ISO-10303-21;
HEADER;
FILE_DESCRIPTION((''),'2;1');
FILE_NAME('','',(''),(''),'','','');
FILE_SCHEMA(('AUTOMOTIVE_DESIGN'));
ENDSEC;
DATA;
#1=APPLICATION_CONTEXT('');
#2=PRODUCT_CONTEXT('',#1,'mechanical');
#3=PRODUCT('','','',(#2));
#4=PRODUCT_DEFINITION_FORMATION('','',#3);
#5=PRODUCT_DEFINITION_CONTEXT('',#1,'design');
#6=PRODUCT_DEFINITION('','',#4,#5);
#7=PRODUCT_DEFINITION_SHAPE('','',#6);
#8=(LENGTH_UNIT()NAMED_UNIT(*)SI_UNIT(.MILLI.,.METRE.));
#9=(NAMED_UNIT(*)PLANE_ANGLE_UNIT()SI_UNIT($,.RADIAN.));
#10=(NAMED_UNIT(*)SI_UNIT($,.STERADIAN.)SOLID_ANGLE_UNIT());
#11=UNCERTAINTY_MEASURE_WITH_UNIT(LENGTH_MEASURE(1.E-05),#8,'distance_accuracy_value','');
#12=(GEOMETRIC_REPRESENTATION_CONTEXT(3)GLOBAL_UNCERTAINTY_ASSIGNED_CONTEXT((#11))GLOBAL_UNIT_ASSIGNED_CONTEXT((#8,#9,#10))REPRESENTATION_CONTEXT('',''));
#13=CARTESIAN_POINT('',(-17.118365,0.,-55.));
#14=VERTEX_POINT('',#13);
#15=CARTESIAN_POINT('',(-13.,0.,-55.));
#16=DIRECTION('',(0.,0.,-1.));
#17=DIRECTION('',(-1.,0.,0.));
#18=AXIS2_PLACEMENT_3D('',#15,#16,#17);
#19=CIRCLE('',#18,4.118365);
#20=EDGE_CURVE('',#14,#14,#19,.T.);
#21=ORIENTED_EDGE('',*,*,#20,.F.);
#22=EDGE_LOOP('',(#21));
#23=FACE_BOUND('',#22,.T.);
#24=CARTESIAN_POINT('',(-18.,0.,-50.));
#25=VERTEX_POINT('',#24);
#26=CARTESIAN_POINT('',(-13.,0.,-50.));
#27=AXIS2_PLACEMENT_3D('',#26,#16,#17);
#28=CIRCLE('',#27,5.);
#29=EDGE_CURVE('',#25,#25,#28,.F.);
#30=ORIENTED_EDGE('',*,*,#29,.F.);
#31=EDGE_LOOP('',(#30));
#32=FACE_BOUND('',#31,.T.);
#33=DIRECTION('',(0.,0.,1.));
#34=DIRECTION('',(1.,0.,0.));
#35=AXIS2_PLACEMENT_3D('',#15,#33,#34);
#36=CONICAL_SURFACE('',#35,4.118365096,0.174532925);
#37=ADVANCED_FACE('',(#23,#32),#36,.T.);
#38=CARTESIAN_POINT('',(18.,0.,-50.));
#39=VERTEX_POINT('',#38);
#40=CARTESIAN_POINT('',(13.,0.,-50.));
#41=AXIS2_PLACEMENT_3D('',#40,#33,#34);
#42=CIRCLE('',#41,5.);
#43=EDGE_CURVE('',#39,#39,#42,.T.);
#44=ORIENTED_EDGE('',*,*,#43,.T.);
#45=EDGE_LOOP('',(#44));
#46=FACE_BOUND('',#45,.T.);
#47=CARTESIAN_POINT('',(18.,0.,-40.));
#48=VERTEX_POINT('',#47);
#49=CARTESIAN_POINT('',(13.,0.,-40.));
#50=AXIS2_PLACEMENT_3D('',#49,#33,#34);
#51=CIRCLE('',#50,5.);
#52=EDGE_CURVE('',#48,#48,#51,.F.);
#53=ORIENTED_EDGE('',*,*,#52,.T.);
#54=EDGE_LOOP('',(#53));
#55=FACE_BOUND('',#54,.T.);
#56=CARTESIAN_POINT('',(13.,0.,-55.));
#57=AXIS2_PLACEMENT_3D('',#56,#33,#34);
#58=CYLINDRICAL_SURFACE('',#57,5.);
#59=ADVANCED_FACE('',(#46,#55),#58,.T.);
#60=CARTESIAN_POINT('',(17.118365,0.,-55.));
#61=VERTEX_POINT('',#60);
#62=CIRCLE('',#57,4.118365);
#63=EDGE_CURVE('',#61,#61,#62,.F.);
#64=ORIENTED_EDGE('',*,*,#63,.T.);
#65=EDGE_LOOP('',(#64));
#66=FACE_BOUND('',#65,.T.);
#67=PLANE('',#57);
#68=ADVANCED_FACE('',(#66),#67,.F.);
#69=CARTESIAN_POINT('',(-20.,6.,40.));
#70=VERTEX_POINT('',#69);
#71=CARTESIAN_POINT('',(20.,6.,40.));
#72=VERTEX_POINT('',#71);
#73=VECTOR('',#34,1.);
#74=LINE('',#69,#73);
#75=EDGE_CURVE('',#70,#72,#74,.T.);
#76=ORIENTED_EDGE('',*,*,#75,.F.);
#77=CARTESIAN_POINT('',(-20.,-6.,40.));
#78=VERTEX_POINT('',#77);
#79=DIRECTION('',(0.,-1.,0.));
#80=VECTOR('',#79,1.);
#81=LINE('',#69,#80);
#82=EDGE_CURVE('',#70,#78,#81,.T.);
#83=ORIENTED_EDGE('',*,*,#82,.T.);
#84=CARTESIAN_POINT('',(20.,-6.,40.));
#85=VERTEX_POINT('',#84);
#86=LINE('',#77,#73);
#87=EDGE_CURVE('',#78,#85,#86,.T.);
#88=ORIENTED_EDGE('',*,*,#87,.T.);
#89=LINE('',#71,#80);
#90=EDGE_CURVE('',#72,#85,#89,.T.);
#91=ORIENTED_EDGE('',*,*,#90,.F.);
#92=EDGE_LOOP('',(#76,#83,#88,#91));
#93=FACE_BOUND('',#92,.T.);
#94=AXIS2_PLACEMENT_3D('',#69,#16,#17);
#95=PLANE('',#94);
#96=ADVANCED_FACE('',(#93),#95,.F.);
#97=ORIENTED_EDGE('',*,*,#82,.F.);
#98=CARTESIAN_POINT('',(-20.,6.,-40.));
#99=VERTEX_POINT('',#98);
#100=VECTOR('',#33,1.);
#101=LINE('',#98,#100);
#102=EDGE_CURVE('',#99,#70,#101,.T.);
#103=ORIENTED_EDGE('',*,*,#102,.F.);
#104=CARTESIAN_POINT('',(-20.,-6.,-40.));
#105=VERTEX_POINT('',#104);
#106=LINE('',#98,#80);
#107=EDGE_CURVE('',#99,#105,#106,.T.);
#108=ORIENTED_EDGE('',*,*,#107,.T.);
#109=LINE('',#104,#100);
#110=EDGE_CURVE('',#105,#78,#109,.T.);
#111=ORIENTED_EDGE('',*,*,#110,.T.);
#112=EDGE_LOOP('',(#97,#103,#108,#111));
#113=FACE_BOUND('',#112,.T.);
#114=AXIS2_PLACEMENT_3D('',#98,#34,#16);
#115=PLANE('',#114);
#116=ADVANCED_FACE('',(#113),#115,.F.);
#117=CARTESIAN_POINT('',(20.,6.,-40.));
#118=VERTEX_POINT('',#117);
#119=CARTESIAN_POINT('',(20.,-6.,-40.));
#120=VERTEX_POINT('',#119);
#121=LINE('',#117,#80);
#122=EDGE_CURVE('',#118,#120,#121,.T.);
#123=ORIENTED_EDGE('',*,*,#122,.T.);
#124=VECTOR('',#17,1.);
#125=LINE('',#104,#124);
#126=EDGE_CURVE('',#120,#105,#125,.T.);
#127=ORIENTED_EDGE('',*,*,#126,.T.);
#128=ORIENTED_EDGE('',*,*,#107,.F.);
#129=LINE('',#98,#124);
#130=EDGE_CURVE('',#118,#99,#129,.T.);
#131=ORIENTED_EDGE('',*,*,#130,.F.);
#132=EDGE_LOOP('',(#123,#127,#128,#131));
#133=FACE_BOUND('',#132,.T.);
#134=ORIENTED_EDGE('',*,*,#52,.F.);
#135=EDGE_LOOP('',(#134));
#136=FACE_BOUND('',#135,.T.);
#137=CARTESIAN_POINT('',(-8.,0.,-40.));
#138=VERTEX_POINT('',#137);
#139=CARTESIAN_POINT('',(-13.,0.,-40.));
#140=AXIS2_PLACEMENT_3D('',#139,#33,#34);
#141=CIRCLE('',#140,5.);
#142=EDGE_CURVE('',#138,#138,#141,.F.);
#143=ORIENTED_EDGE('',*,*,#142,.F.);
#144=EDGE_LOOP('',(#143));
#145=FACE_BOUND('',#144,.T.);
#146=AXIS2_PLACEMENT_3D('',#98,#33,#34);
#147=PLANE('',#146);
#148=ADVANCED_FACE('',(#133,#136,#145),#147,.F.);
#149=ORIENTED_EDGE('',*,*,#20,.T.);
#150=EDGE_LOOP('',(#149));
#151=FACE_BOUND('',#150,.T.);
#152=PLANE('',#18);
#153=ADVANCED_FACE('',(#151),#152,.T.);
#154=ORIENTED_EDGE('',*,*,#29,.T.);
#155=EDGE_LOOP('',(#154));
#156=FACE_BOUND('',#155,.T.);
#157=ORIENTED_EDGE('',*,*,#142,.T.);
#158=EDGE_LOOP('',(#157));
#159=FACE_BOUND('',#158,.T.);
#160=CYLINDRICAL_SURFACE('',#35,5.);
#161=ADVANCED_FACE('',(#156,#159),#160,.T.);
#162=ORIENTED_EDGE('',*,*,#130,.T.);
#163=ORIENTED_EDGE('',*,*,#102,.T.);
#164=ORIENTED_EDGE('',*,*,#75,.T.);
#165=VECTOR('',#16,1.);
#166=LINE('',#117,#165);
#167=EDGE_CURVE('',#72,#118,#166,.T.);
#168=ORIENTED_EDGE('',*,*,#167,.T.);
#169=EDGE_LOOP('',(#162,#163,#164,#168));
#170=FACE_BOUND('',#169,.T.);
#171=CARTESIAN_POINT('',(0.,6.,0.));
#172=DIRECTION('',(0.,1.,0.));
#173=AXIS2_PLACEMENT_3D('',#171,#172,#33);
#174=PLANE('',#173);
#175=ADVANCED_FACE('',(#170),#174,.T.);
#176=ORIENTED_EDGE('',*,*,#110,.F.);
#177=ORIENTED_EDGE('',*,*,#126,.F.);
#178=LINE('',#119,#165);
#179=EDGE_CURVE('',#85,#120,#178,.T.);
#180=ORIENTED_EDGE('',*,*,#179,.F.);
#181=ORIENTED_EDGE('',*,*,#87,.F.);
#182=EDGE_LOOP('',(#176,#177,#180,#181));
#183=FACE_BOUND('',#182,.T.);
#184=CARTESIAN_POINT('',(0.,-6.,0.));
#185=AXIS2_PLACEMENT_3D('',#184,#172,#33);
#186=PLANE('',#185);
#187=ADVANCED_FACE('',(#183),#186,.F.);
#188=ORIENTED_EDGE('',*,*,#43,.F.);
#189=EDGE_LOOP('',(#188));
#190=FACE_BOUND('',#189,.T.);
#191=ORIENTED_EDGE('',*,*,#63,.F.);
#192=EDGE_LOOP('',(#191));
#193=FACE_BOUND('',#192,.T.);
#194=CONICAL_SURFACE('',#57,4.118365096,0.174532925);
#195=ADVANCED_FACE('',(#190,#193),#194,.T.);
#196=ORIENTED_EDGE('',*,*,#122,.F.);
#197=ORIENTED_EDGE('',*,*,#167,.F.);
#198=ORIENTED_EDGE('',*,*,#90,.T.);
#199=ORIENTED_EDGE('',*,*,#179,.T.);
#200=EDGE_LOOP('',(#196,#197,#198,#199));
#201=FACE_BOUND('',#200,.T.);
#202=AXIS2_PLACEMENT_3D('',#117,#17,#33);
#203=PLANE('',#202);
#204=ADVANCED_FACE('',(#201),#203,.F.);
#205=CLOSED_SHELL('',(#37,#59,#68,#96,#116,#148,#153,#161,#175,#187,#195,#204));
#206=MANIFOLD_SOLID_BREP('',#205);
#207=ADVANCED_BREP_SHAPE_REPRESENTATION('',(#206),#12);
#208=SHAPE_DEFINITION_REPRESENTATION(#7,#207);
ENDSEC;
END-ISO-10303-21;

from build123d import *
from OCP.BRepFilletAPI import BRepFilletAPI_MakeChamfer

# Parameters (mm, degrees)
SKETCH1_W           = 40
SKETCH1_H           = 80
BOSS_EXTRUDE1_DEPTH = 6
SKETCH2_R           = 5
BOSS_EXTRUDE2_DEPTH = 15
CHAMFER1_SIZE       = 5
CHAMFER1_SIZE2      = 0.881634904


with BuildPart() as part:
    # Sketch1 → Boss-Extrude1 (new, symmetric)
    with BuildSketch(Plane(origin=(0, 0, 0), x_dir=(1, 0, 0), z_dir=(0, 1, 0))):
        Rectangle(SKETCH1_W, SKETCH1_H)
    extrude(amount=BOSS_EXTRUDE1_DEPTH, both=True)

    # Sketch2 → Boss-Extrude2 (add)
    with BuildSketch(Plane(origin=(0, 0, -40), x_dir=(-1, 0, 0), z_dir=(0, 0, -1))):
        with Locations(Location((13, 0, 0), (0, 0, 180))):
            Circle(SKETCH2_R)
        with Locations(Location((-13, 0, 0), (0, 0, 180))):
            Circle(SKETCH2_R)
    extrude(amount=BOSS_EXTRUDE2_DEPTH)

    # Chamfer1: one chamfer whose edges measure the first distance from different faces: ONE call of the kernel's chamfer builder (chamfer() names one face for all edges)
    chamfer1_edges_1 = [part.edges().sort_by_distance(p)[0] for p in [
        (-18, 0, -55),
    ]]
    chamfer1_side_1 = [part.faces().sort_by_distance(p)[0] for p in [
        (-18, 0, -47.5),
    ]]
    chamfer1_edges_2 = [part.edges().sort_by_distance(p)[0] for p in [
        (8, 0, -55),
    ]]
    chamfer1_side_2 = [part.faces().sort_by_distance(p)[0] for p in [
        (8, 0, -47.5),
    ]]
    chamfer1 = BRepFilletAPI_MakeChamfer(part.part.solid().wrapped)
    for e in chamfer1_edges_1:
        chamfer1.Add(CHAMFER1_SIZE, CHAMFER1_SIZE2, e.wrapped, chamfer1_side_1[0].wrapped)  # the first distance lies on this face
    for e in chamfer1_edges_2:
        chamfer1.Add(CHAMFER1_SIZE, CHAMFER1_SIZE2, e.wrapped, chamfer1_side_2[0].wrapped)  # the first distance lies on this face
    add(Compound.cast(chamfer1.Shape()), mode=Mode.REPLACE)


solid = part.part
